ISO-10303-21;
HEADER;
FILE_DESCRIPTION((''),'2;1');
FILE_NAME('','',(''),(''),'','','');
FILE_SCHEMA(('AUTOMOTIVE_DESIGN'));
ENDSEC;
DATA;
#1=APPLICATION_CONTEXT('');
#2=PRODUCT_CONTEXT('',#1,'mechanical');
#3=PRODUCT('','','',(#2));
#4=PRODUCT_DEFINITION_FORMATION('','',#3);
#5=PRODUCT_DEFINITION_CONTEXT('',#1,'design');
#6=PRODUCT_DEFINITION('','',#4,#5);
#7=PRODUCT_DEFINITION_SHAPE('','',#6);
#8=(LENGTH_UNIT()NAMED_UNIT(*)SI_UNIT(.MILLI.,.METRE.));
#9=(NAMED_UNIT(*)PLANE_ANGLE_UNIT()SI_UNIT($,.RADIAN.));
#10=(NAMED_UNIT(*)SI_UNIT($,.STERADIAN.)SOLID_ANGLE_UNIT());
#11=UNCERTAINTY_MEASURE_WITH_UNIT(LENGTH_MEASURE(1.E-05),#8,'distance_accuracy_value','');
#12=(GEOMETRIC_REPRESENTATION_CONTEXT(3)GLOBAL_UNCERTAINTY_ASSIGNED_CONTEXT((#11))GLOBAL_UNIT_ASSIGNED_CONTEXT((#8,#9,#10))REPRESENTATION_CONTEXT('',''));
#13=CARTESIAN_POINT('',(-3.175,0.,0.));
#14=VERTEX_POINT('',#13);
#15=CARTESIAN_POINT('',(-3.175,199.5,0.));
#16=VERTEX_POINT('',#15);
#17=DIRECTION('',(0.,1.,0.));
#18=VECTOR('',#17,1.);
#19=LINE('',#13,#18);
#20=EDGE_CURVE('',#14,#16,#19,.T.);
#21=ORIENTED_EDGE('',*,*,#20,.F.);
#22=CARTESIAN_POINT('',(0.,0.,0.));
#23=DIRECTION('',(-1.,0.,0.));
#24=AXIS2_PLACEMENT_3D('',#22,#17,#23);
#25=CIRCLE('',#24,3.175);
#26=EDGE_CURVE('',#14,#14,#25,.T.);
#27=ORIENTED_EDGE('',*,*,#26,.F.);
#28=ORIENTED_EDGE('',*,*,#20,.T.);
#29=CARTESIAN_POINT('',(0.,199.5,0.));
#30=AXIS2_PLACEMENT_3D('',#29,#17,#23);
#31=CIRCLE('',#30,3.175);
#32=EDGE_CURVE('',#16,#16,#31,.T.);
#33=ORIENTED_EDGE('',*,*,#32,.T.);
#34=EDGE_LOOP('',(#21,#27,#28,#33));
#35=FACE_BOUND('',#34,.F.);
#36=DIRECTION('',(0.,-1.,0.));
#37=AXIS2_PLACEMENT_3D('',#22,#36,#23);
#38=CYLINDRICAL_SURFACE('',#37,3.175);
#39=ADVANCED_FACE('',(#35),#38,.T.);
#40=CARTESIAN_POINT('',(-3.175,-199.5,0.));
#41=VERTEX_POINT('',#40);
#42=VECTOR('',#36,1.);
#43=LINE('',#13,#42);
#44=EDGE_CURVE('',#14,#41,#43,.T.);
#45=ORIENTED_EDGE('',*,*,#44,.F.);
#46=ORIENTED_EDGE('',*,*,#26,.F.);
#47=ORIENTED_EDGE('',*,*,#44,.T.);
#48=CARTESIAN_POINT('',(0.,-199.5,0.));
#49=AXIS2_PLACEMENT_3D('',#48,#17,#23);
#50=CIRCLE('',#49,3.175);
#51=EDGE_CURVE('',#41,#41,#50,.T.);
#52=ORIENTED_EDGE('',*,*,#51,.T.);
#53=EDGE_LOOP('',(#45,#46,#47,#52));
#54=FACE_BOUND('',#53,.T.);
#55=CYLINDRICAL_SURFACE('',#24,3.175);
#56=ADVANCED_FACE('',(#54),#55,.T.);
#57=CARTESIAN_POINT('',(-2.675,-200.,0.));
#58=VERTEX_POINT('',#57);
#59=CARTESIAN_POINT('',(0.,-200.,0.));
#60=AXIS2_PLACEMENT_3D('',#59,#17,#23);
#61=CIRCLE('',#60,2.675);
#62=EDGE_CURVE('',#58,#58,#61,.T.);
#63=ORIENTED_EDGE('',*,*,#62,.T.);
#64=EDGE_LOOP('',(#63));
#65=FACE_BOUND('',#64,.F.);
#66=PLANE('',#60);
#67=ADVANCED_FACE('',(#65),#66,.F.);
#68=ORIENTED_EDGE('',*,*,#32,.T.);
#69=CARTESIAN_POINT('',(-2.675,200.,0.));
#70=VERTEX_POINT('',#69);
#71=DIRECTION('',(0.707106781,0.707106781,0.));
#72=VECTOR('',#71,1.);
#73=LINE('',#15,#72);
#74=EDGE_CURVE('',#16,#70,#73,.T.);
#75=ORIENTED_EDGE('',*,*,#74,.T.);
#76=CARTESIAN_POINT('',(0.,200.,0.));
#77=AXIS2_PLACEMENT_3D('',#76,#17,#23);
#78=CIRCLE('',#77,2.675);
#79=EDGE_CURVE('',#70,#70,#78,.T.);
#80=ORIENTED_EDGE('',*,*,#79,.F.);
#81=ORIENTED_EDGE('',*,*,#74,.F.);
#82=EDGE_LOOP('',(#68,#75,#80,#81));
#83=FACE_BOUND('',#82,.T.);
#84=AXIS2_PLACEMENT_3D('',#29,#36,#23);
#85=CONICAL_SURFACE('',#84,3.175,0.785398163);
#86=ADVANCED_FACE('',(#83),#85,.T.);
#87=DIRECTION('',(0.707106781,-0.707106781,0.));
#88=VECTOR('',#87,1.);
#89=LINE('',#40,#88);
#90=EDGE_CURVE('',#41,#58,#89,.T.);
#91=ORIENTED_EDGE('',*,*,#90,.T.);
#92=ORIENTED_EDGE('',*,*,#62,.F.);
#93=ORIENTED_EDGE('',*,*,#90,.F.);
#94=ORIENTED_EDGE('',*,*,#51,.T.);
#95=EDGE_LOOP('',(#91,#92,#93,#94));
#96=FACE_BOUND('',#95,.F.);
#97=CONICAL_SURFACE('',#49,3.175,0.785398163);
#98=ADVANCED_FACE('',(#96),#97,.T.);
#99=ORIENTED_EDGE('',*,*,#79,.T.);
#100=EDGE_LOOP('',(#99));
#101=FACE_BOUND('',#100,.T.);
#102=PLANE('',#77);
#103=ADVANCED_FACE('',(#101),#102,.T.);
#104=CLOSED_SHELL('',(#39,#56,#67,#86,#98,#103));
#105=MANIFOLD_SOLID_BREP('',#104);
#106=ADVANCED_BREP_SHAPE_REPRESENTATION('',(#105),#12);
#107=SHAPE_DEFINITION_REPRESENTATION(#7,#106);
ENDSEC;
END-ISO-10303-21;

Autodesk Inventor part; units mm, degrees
ref_plane "YZ Plane" through (0, 0, 0) normal (1, 0, 0) x (0, 1, 0)
ref_plane "XZ Plane" through (0, 0, 0) normal (0, 1, 0) x (-1, 0, 0)
ref_plane "XY Plane" through (0, 0, 0) normal (0, 0, 1) x (1, 0, 0)
sketch "Sketch1" plane through (0, 0, 0) normal (0, 1, 0) x (-1, 0, 0)
  circle A0 centre (0, 0) radius 3.175
  dimension "d0" = 6.35
extrude "Extrusion1" add sketch "Sketch1" along normal mid plane 400
chamfer "Chamfer1" distance 0.5 angle 45 2 edges at (3.175, 200, 0) (3.175, -200, 0)
properties part number "Y-Axis_Linear_Rod_1_4inx400mm_LM3038" material "Aluminum 6061"
